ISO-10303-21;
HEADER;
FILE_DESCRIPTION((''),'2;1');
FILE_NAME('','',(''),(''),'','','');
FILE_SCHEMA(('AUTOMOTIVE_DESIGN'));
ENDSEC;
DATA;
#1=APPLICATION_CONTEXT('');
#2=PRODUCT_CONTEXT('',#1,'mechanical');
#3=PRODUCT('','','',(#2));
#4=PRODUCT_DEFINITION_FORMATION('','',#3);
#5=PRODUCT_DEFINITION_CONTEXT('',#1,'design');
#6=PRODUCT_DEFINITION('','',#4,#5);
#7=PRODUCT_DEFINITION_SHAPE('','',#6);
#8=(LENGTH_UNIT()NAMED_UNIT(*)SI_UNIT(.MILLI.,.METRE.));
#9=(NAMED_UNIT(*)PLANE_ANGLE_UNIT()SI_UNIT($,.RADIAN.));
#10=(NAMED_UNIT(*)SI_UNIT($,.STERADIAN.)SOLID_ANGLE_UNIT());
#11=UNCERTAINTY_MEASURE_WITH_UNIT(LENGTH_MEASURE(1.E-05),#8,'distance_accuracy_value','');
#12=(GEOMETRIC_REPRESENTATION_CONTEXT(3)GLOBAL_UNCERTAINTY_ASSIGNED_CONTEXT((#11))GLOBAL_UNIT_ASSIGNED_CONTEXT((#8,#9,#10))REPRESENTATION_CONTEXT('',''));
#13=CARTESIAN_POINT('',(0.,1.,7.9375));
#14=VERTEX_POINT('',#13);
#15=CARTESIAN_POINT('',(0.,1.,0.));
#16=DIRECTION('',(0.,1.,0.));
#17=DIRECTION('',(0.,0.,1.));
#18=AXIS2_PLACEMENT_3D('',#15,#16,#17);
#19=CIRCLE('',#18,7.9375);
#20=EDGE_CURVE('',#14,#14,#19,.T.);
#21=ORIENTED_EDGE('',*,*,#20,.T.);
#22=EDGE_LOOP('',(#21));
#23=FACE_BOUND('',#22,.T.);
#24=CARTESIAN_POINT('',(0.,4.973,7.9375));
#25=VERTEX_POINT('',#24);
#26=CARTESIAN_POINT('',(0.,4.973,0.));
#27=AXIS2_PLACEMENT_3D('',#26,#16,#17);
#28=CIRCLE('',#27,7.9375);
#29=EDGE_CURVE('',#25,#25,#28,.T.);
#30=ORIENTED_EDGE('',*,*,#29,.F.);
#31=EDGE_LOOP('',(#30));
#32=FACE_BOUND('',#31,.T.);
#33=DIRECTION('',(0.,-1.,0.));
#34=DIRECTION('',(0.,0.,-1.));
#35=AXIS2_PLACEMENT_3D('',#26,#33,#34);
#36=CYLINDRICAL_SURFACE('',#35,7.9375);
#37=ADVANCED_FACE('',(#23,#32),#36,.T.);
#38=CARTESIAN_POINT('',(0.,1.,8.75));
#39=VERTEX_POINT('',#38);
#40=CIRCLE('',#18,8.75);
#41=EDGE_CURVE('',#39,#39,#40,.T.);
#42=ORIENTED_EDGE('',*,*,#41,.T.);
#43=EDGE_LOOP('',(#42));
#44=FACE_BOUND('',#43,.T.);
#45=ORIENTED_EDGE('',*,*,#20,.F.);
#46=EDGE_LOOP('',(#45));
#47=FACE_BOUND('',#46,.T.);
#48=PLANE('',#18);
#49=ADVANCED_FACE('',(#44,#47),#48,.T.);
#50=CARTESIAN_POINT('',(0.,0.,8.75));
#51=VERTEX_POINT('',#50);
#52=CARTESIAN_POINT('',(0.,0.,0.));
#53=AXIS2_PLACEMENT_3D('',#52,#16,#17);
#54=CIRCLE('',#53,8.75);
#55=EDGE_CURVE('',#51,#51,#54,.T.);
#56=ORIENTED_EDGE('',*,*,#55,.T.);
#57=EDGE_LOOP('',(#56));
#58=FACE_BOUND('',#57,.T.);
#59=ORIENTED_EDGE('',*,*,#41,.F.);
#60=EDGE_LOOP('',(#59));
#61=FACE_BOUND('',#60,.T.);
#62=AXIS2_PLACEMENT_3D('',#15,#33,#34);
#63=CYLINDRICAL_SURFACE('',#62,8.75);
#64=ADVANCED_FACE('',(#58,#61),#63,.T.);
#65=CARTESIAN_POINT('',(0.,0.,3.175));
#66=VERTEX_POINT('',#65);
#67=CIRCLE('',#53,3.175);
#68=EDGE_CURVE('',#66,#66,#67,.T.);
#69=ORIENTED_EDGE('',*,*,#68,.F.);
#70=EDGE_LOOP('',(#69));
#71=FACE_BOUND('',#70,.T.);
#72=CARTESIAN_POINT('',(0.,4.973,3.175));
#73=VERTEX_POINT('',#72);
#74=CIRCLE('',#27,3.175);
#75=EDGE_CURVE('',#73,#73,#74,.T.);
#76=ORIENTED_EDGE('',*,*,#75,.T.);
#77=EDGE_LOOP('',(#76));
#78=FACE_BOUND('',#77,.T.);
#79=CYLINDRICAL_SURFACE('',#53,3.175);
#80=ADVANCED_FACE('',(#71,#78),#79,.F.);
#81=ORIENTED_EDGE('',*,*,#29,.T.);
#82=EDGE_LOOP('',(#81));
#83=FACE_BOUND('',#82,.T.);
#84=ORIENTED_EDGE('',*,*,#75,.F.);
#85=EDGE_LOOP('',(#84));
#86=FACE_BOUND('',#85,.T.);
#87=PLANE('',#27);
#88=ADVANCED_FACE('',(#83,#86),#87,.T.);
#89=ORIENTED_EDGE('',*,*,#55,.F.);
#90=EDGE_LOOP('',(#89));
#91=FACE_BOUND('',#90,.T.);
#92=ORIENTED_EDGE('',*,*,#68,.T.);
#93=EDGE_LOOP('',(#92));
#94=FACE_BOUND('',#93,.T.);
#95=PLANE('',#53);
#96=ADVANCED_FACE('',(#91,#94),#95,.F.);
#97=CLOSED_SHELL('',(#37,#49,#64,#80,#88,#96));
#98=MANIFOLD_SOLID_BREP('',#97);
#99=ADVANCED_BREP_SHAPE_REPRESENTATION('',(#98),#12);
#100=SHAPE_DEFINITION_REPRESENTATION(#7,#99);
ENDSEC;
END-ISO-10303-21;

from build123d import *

# Parameters (mm, degrees)
SKETCH1_R           = 8.75
BOSS_EXTRUDE1_DEPTH = 1
SKETCH2_R           = 7.9375
BOSS_EXTRUDE2_DEPTH = 3.973
SKETCH3_R           = 3.175
CUT_EXTRUDE1_DEPTH  = 5.973


with BuildPart() as part:
    # Sketch1 → Boss-Extrude1 (new body)
    with BuildSketch(Plane(origin=(0, 0, 0), x_dir=(1, 0, 0), z_dir=(0, 1, 0))):
        Circle(SKETCH1_R)
    extrude(amount=BOSS_EXTRUDE1_DEPTH)

    # Sketch2 → Boss-Extrude2 (add)
    with BuildSketch(Plane(origin=(0, 1, 0), x_dir=(1, 0, 0), z_dir=(0, 1, 0))):
        Circle(SKETCH2_R)
    extrude(amount=BOSS_EXTRUDE2_DEPTH)

    # Sketch3 → Cut-Extrude1 (cut, through all)
    with BuildSketch(Plane(origin=(0, 4.973, 0), x_dir=(1, 0, 0), z_dir=(0, 1, 0))):
        Circle(SKETCH3_R)
    extrude(amount=-CUT_EXTRUDE1_DEPTH, mode=Mode.SUBTRACT)


solid = part.part
